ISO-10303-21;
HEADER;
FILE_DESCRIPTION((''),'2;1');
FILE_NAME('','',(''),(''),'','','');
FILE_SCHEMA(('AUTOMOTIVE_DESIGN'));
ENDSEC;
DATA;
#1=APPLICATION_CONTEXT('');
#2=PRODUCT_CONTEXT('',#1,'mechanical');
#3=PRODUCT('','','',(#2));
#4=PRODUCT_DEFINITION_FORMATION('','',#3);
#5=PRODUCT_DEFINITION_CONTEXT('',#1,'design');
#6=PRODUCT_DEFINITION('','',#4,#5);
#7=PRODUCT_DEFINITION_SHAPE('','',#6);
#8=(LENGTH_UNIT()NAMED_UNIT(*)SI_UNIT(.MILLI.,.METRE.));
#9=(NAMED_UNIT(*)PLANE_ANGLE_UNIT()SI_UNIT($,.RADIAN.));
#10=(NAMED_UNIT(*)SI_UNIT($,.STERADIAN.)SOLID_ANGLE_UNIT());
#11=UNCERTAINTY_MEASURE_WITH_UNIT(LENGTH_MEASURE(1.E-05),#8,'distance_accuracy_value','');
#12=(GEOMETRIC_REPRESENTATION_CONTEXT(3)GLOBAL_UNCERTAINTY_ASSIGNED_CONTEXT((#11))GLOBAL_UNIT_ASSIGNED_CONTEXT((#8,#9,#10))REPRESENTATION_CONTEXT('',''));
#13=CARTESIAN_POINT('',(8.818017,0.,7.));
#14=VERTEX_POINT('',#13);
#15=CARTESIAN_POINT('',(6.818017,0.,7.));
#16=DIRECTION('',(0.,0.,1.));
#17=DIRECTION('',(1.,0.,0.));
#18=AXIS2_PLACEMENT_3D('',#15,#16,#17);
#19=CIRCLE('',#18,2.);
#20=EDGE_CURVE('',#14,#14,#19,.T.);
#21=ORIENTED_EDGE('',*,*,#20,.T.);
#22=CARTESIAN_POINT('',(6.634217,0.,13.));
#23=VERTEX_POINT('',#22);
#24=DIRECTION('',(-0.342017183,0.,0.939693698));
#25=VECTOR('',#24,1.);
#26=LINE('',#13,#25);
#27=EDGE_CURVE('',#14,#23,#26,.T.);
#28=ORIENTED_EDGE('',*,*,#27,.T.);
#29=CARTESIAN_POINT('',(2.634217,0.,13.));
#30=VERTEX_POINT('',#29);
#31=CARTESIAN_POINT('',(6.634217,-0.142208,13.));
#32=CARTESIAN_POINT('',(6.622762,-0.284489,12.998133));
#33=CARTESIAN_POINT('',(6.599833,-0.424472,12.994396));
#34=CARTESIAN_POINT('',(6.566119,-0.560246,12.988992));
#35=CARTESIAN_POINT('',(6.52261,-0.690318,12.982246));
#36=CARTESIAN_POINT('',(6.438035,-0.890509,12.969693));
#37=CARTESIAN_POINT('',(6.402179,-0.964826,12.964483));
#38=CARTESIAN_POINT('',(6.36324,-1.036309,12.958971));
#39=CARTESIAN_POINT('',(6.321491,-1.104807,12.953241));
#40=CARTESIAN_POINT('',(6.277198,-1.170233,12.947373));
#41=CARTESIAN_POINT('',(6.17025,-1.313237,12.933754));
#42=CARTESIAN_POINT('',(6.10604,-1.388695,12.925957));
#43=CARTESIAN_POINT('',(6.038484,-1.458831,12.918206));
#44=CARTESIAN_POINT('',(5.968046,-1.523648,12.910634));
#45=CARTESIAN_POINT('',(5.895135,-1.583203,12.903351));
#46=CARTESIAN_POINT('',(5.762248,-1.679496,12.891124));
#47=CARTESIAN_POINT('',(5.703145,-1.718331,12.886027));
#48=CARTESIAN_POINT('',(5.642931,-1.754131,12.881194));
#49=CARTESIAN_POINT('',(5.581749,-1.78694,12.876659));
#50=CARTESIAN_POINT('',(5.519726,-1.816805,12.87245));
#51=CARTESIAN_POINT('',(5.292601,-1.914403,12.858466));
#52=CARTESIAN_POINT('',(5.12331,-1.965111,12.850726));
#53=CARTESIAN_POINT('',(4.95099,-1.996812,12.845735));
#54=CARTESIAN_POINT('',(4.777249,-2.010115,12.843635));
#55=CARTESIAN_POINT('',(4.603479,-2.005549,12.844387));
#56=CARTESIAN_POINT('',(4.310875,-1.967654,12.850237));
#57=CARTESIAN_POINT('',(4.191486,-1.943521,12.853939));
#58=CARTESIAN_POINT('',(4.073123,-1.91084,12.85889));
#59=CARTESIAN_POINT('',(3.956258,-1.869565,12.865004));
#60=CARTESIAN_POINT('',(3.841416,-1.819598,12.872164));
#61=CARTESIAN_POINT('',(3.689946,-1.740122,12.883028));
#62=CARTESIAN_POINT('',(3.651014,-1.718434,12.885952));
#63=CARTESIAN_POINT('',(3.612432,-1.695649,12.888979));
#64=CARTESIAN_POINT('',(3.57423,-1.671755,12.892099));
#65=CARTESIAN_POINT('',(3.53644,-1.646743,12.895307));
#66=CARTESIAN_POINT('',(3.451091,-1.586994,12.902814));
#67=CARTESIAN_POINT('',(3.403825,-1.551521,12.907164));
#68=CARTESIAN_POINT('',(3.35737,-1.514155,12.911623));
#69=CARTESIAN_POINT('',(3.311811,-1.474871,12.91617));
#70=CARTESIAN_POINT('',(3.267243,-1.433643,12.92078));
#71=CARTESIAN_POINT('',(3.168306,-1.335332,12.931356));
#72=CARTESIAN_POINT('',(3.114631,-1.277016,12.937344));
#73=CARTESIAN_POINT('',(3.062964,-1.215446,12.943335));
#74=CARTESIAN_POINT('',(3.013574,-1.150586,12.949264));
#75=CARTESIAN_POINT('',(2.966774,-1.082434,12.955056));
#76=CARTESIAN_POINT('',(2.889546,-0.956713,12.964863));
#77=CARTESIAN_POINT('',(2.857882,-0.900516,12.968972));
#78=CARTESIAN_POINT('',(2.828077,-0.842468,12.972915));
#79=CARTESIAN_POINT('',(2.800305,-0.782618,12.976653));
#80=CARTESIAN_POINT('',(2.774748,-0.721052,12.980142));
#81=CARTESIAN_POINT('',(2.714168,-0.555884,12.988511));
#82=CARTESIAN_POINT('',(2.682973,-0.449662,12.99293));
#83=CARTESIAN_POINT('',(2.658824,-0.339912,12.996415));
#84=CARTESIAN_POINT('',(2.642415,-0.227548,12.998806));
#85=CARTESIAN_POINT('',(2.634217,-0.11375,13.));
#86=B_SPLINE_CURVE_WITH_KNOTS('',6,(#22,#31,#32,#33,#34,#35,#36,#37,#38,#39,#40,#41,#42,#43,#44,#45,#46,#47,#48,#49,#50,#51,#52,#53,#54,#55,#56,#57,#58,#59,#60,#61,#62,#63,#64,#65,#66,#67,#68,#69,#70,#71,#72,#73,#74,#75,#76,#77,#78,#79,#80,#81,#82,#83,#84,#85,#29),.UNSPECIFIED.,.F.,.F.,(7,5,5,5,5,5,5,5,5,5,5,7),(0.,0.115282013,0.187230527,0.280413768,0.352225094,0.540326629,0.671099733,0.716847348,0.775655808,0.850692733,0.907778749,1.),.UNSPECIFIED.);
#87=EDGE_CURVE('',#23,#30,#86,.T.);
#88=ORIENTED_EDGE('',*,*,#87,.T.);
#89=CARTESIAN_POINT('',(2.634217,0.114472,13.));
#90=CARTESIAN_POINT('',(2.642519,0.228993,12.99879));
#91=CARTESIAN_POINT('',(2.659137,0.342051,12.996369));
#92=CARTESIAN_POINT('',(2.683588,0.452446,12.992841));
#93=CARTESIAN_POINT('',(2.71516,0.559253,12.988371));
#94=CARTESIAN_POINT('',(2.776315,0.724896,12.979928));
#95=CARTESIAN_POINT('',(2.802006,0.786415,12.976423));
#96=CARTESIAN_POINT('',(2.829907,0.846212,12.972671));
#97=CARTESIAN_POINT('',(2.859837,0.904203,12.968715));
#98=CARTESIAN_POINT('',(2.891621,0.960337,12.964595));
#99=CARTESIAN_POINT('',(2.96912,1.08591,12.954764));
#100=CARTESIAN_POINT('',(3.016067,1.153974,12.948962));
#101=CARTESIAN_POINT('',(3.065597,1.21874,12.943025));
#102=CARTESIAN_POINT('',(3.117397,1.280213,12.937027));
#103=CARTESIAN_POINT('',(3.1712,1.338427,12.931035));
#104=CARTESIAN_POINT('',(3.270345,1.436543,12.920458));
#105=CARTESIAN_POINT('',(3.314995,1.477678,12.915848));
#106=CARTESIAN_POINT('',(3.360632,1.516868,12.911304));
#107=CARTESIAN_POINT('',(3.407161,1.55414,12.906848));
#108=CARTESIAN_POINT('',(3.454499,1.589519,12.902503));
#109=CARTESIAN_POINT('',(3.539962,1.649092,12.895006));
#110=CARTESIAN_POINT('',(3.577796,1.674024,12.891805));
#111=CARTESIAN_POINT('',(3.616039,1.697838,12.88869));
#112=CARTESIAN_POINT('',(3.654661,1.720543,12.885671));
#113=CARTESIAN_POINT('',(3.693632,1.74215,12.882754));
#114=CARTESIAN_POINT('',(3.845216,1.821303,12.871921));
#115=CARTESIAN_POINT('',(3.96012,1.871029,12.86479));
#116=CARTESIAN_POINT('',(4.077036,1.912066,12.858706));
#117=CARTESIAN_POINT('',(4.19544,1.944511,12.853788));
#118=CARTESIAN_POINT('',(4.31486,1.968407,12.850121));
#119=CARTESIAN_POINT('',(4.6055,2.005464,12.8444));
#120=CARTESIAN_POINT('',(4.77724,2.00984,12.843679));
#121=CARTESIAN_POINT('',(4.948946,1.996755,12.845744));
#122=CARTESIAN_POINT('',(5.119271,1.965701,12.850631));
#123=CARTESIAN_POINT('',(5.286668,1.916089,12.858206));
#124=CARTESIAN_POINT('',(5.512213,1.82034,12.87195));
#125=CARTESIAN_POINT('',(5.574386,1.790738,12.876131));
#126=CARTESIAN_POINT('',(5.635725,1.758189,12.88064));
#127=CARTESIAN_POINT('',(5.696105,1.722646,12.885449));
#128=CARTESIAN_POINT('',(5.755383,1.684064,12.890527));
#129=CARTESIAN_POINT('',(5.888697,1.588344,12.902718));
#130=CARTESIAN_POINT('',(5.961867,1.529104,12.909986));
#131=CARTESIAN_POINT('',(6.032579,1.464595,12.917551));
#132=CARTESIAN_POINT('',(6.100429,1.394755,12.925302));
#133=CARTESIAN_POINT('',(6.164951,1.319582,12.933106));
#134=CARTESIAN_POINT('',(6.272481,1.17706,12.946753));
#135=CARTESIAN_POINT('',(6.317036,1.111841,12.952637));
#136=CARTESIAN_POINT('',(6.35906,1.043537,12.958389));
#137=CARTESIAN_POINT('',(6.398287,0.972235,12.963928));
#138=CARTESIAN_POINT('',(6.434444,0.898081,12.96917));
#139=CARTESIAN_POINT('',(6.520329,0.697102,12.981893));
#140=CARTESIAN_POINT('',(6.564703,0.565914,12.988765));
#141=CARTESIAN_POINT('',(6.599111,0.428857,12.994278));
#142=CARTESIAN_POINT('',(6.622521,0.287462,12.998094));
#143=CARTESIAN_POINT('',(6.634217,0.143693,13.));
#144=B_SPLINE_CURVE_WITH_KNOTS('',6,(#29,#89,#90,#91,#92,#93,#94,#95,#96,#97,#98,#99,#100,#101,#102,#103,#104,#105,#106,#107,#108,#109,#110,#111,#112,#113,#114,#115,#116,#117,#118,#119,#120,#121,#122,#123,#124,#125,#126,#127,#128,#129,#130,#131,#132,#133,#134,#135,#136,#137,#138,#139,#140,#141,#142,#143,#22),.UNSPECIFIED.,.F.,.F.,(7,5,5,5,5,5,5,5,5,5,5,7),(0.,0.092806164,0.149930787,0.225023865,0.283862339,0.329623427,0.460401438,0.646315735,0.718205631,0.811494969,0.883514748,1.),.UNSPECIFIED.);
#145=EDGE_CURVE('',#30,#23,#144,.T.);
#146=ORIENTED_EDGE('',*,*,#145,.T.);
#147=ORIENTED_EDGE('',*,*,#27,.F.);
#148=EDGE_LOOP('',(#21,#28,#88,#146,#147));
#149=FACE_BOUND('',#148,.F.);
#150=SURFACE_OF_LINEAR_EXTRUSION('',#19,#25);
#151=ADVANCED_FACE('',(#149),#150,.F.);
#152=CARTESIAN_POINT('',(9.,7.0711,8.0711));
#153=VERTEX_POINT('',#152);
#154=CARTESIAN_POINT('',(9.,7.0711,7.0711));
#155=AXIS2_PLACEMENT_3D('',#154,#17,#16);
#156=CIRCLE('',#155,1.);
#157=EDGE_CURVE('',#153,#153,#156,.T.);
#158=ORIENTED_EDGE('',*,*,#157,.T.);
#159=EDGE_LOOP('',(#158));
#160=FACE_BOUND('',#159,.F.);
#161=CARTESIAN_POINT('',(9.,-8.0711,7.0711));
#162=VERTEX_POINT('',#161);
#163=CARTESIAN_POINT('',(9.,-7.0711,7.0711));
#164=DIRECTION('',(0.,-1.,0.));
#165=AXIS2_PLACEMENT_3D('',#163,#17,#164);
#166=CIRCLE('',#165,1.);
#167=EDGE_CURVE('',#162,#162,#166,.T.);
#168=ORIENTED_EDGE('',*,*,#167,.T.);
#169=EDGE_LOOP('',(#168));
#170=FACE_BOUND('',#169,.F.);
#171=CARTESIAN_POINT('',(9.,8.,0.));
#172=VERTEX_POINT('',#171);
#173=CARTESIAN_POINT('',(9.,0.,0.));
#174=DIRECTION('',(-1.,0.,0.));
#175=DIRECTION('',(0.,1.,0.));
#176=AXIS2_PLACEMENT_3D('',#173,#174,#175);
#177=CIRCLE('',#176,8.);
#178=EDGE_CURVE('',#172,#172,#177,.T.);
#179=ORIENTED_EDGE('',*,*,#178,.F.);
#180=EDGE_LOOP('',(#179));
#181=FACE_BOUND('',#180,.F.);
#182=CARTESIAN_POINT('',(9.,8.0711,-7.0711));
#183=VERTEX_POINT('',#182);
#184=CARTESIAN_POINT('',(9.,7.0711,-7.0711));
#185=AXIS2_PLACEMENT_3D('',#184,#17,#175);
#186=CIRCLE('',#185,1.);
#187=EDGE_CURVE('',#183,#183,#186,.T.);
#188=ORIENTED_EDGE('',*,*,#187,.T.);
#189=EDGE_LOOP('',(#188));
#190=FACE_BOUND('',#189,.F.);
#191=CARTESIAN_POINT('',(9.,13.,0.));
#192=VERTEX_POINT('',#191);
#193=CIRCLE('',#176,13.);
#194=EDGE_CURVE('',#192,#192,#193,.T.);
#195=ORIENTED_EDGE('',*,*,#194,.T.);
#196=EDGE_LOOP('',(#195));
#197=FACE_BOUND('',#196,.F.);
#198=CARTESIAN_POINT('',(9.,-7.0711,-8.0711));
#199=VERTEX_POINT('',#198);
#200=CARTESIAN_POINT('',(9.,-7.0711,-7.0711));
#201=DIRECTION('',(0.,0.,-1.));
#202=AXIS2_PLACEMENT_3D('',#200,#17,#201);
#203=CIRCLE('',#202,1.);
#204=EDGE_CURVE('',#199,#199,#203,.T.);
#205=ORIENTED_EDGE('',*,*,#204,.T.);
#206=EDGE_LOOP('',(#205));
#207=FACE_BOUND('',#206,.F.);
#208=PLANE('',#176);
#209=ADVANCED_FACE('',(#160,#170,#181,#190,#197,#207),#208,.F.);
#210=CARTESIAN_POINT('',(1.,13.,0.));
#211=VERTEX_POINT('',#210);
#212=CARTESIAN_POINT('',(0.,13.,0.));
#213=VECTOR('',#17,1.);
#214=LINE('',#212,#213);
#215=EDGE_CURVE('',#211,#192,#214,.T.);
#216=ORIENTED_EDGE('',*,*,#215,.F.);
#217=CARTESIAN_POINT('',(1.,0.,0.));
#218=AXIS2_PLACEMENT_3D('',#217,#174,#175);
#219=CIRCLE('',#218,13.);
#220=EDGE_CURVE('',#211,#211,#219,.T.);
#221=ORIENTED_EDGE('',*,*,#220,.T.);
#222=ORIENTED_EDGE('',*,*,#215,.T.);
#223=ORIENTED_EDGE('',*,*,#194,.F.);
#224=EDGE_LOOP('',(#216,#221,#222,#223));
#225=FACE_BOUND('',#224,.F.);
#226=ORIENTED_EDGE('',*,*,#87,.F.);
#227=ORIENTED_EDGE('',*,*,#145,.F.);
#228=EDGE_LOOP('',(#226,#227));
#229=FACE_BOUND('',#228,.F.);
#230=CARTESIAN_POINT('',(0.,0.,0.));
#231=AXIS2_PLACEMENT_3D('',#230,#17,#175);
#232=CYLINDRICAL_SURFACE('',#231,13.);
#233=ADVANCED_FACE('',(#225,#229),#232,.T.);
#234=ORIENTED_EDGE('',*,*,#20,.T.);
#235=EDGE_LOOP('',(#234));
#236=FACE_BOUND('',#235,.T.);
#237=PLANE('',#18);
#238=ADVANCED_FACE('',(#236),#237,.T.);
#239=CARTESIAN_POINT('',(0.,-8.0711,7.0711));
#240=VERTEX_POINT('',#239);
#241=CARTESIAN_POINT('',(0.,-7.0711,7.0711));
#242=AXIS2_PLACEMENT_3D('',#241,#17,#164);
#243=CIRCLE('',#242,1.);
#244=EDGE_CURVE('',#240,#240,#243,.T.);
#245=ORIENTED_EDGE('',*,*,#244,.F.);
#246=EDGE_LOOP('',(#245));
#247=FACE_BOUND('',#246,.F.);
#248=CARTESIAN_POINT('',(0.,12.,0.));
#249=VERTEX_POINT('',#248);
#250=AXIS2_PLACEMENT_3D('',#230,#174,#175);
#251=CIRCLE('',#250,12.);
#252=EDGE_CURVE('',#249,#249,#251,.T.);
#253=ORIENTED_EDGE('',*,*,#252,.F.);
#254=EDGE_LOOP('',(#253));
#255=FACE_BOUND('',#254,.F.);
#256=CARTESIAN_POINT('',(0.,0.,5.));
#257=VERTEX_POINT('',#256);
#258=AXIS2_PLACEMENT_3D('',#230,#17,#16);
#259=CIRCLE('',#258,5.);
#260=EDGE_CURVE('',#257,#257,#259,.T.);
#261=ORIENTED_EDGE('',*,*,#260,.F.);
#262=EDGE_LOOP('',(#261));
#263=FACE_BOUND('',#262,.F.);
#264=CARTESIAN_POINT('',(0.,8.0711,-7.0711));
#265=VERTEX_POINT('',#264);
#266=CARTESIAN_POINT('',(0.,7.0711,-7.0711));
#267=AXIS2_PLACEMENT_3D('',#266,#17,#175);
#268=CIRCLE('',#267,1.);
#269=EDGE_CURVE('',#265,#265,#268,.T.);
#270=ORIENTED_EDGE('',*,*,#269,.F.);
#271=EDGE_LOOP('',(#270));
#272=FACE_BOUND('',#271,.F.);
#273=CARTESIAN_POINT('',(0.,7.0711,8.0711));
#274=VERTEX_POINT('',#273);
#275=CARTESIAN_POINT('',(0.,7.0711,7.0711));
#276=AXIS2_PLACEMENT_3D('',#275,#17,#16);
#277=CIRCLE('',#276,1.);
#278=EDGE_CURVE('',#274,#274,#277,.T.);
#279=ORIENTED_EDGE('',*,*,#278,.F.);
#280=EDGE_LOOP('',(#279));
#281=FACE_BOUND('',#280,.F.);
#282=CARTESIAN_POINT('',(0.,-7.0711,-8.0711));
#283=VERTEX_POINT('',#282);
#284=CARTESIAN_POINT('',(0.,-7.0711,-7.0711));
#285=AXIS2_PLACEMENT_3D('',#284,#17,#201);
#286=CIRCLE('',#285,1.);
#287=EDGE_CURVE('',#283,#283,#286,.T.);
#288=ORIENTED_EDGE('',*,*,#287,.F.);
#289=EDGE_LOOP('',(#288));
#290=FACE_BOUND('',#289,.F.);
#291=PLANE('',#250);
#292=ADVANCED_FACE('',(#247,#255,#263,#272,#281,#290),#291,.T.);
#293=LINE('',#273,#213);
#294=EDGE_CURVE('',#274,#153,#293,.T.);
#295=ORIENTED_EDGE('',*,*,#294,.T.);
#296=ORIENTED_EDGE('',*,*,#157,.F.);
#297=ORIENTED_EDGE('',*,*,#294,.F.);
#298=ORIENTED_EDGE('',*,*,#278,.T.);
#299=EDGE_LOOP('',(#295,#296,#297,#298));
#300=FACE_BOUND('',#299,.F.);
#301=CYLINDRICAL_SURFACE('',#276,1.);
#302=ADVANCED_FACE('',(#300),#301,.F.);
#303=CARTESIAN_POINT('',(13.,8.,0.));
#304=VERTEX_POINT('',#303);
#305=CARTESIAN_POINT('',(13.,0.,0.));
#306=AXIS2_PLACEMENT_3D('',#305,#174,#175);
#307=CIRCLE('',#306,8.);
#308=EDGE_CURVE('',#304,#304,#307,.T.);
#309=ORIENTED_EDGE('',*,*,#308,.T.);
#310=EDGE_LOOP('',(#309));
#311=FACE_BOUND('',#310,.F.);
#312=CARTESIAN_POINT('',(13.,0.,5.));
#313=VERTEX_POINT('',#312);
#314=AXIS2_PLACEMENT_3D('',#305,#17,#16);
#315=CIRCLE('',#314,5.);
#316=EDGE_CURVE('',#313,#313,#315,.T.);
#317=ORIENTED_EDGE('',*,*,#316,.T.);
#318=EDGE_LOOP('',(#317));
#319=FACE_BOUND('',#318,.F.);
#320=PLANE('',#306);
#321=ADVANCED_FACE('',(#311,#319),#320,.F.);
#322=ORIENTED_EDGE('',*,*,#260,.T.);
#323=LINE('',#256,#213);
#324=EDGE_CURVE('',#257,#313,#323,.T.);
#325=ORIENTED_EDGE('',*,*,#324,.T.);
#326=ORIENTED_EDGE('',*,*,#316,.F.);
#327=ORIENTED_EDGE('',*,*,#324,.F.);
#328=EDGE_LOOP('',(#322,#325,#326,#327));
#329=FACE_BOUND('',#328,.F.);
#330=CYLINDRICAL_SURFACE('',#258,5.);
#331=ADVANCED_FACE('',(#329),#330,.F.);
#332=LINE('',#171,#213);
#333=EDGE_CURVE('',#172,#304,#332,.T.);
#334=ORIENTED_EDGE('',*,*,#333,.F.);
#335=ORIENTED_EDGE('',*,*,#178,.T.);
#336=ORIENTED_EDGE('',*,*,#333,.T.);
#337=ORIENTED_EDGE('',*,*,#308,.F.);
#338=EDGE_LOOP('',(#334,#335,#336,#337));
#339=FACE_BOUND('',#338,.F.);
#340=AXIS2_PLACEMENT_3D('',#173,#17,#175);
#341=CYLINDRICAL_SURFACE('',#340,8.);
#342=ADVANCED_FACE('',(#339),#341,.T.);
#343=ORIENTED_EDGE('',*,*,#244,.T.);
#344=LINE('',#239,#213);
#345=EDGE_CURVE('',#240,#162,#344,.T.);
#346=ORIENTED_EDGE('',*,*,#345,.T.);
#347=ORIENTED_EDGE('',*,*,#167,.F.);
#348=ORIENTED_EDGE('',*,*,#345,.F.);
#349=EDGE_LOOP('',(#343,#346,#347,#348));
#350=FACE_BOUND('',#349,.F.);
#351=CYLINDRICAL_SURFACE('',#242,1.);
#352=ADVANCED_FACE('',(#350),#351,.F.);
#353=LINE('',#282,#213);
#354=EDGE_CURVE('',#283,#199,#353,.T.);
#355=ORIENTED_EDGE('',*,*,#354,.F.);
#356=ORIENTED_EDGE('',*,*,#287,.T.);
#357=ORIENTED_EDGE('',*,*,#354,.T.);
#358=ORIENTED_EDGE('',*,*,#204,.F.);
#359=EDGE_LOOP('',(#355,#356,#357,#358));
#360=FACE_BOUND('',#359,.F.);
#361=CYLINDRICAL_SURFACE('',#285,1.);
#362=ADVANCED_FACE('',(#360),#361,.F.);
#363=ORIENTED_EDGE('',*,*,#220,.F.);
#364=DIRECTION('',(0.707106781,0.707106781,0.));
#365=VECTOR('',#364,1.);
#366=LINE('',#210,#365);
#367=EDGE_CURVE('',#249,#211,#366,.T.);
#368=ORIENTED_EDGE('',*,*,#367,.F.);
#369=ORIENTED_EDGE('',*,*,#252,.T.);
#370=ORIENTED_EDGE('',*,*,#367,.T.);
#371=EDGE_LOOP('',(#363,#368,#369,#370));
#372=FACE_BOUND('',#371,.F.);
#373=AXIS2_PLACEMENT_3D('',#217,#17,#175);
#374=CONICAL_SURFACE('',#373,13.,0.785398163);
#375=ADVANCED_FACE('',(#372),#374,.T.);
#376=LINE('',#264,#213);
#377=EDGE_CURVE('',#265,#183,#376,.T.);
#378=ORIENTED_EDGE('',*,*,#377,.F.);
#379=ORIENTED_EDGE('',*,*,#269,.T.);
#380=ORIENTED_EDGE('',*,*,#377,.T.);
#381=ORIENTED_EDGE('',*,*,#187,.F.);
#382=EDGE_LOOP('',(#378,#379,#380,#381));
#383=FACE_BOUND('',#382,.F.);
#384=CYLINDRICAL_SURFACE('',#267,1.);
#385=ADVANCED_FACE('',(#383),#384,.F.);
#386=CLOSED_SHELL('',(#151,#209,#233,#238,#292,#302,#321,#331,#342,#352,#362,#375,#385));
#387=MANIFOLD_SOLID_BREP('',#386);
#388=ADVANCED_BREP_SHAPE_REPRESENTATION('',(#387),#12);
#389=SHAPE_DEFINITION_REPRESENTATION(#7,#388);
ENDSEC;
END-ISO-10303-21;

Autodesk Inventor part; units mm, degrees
ref_plane "YZ Plane" through (0, 0, 0) normal (1, 0, 0) x (0, 1, 0)
sketch "Sketch1" plane through (0, 0, 0) normal (0, 0, 1) x (1, 0, 0)
  line L0 (0, 0) -> (0, 13)
  line L1 (0, 13) -> (9, 13)
  line L2 (9, 13) -> (9, 8)
  line L3 (9, 8) -> (13, 8)
  line L4 (13, 8) -> (13, 0)
  line L5 (13, 0) -> (0, 0)
  dimension "d0" = 16
  dimension "d1" = 9
  dimension "d2" = 4
  dimension "d3" = 26
revolve "Revolution1" add sketch "Sketch1" angle 360 about axis through (13, 0, 0) along (-1, 0, 0)
sketch "Sketch2" plane through (0, 0, 0) normal (-1, 0, 0) x (0, 0, 1)
  line L0 (0, 0) -> (7.0711, 7.0711) construction
  line L1 (0, 0) -> (13, 0) construction
  circle A0 centre (0, 0) radius 13 projected
  circle A1 centre (0, 0) radius 10 construction
  dimension "d6" = 20
  dimension "d5" = 45
hole "Hole1" at (0, 7.0711, 7.0711) direction (1, 0, 0) diameter 2 depth 9
pattern_circular "Circular Pattern1" count 4 over 360 about axis through (4.5, 0, 0) along (-1, 0, 0) of "Hole1"
sketch "Sketch3" plane through (0, 0, 0) normal (-1, 0, 0) x (0, 0, 1)
  circle A0 centre (0, 0) radius 13 projected
  point P0 (0, 0)
hole "Hole2" at (0, 0, 0) direction (1, 0, 0) diameter 10 depth 13
chamfer "Chamfer1" distance 1 angle 45 1 edges at (0, -13, 0)
ref_plane "Work Plane1" through (0, 0, 0) normal (0, 1, 0) x (-1, 0, 0)
sketch "Sketch4" plane through (0, 0, 0) normal (0, 1, 0) x (-1, 0, 0)
  line L0 (-13, -5) -> (-13, 5) projected
  line L1 (-13, -8) -> (-13, 8) projected
  line L2 (-7, 7) -> (-4.8162, 13)
  line L3 (-9, 13) -> (-1, 13) projected
  line L4 (-13, 5) -> (0, 5) projected
  point P0 (0, 0)
  dimension "d28" = 20
  dimension "d29" = 2
  dimension "d34" = 2
ref_plane "Work Plane2" through (0, 0, 12.5) normal (0, 0, 1) x (1, 0, 0)
sketch "Sketch5" plane through (0, 0, 12.5) normal (0, 0, 1) x (1, 0, 0)
  circle A0 centre (4.8162, 0) radius 2
  point P0 (0, 0)
  dimension "d31" = 4
sweep "Sweep1" cut profiles "Sketch5" path "Sketch4" path curves L2
properties part number "08"
